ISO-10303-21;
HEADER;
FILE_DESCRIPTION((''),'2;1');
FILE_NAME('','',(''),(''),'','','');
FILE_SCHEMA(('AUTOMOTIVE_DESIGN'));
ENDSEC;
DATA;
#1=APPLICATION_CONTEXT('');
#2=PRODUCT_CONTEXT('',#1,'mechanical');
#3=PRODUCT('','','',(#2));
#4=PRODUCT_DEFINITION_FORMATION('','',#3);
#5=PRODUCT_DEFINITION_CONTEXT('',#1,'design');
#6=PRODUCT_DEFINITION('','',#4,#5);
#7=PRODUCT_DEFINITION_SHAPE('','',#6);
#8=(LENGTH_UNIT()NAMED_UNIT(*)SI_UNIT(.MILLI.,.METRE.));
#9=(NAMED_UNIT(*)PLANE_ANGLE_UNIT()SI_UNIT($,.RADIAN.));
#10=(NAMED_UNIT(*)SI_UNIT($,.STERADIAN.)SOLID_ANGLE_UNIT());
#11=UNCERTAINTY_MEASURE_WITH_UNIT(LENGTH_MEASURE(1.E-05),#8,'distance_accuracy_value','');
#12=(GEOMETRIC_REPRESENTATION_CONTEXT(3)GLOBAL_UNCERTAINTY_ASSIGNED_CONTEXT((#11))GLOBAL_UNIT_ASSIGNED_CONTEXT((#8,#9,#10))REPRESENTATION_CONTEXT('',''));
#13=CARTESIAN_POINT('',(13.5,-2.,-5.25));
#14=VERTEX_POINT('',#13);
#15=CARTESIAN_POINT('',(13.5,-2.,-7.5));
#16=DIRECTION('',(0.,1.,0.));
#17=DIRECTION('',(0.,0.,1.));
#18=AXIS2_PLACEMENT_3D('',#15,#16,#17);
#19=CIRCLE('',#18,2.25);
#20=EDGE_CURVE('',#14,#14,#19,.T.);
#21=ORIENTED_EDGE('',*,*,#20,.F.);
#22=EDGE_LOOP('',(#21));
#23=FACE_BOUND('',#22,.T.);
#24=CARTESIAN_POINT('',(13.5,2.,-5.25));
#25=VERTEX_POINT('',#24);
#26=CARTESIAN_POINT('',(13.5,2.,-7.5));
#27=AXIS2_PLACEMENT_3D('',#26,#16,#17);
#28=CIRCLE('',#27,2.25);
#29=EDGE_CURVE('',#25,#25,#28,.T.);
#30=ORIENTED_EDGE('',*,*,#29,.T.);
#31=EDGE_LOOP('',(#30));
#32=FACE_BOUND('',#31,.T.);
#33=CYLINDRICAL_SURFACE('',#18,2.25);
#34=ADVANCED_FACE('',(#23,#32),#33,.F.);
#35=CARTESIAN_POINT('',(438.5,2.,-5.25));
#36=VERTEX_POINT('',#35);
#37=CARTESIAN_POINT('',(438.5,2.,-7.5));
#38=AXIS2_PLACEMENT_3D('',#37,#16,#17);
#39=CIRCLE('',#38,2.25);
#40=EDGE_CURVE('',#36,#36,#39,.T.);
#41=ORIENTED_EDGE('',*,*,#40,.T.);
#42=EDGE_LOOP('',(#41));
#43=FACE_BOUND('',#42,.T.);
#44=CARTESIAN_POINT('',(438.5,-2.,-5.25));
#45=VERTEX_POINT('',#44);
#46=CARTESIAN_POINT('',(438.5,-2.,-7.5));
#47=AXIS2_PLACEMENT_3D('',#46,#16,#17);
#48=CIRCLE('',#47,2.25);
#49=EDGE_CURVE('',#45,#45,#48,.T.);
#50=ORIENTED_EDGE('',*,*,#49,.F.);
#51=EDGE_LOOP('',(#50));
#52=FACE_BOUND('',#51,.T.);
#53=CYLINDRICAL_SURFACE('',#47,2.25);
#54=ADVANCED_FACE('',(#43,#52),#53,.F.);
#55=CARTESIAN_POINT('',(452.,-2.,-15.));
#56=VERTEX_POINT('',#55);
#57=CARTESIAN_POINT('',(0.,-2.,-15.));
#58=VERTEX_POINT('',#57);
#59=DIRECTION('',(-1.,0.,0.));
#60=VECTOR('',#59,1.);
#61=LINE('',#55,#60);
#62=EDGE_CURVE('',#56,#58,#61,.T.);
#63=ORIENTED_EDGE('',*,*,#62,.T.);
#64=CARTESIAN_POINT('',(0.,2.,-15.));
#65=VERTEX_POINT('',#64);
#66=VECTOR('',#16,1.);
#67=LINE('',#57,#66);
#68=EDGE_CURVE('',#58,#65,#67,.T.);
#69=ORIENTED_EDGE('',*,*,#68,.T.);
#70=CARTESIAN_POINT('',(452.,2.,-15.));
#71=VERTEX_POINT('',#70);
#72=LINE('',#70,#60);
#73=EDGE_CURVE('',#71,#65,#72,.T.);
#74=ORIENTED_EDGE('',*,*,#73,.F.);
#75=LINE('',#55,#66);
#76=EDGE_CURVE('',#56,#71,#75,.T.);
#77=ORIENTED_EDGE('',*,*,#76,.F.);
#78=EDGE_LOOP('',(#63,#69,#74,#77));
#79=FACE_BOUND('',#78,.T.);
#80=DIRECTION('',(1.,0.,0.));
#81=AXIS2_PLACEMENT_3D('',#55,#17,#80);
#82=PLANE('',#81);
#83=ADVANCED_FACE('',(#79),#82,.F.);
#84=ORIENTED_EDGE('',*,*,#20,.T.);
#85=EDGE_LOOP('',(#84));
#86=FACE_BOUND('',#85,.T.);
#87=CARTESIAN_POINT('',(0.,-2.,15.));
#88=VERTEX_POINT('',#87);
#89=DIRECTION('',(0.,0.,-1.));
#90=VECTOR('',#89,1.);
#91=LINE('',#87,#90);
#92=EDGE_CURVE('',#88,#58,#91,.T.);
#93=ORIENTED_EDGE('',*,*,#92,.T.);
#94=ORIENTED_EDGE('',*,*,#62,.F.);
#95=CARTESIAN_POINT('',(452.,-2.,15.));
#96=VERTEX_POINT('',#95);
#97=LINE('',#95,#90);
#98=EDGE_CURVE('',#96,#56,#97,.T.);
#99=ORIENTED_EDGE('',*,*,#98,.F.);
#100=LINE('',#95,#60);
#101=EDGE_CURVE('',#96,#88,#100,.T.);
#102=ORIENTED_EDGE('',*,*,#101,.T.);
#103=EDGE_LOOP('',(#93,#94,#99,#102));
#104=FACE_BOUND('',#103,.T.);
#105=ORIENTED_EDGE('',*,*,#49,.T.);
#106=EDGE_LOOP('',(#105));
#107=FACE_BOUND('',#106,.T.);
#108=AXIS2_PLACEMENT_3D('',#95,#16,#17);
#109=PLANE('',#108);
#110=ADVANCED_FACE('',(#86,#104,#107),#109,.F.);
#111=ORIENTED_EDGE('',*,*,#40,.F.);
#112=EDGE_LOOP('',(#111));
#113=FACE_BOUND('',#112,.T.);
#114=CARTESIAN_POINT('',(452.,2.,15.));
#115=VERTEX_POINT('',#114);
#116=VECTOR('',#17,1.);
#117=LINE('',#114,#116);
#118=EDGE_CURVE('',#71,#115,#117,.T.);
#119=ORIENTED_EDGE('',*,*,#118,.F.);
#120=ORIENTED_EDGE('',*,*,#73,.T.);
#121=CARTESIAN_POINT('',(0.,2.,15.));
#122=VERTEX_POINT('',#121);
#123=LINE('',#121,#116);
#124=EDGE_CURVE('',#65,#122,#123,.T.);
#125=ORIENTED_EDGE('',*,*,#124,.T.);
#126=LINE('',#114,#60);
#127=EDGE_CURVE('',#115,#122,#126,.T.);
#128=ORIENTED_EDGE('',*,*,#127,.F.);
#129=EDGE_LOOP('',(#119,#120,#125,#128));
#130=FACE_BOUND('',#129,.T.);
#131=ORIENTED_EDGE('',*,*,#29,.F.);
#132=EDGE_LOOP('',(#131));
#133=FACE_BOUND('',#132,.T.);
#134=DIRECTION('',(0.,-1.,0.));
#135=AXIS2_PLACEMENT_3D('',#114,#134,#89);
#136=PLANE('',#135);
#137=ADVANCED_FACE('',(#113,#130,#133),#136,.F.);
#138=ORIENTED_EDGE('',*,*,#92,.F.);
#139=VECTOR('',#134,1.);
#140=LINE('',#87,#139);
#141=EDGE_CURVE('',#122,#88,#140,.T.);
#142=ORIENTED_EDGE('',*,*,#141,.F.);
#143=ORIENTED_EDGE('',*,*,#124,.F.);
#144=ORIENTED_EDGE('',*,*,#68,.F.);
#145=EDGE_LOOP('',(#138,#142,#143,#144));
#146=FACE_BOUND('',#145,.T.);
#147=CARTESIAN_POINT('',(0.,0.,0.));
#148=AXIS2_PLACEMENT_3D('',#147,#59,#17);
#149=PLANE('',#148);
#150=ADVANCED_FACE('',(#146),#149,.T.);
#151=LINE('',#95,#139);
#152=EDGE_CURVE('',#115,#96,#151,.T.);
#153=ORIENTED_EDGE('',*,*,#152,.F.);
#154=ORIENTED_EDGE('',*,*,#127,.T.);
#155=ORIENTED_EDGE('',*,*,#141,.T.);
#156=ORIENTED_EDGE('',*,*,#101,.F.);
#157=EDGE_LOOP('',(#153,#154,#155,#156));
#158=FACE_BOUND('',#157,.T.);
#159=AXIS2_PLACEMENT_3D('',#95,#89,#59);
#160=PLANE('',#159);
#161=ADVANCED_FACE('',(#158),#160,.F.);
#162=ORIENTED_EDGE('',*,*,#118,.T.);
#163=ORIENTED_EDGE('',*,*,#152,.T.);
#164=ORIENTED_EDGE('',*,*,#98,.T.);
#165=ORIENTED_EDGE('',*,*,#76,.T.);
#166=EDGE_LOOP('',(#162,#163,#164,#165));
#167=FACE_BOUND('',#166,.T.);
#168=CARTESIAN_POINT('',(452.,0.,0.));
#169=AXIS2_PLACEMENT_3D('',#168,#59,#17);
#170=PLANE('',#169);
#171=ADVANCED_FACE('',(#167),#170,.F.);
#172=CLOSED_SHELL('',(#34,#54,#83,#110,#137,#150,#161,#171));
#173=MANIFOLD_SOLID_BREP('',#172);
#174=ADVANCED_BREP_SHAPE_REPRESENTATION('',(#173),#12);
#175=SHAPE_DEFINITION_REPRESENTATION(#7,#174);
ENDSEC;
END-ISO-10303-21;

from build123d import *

# Parameters (mm, degrees)
SKETCH_1_W          = 30
SKETCH_1_H          = 4
EXTRUDE_1_DEPTH     = 452
SKETCH_2_R          = 2.25
CUT_EXTRUDE_1_DEPTH = 5


with BuildPart() as part:
    # Эскиз1 → Бобышка-Вытянуть1 (new body)
    with BuildSketch(Plane(origin=(0, 0, 0), x_dir=(0, 0, -1), z_dir=(1, 0, 0))):
        Rectangle(SKETCH_1_W, SKETCH_1_H)
    extrude(amount=EXTRUDE_1_DEPTH)

    # Эскиз2 → Вырез-Вытянуть1 (cut, through all)
    with BuildSketch(Plane(origin=(0, 2, 0), x_dir=(1, 0, 0), z_dir=(0, 1, 0))):
        with Locations((13.5, 7.5)):
            Circle(SKETCH_2_R)
        with Locations((438.5, 7.5)):
            Circle(SKETCH_2_R)
    extrude(amount=-CUT_EXTRUDE_1_DEPTH, mode=Mode.SUBTRACT)


solid = part.part
